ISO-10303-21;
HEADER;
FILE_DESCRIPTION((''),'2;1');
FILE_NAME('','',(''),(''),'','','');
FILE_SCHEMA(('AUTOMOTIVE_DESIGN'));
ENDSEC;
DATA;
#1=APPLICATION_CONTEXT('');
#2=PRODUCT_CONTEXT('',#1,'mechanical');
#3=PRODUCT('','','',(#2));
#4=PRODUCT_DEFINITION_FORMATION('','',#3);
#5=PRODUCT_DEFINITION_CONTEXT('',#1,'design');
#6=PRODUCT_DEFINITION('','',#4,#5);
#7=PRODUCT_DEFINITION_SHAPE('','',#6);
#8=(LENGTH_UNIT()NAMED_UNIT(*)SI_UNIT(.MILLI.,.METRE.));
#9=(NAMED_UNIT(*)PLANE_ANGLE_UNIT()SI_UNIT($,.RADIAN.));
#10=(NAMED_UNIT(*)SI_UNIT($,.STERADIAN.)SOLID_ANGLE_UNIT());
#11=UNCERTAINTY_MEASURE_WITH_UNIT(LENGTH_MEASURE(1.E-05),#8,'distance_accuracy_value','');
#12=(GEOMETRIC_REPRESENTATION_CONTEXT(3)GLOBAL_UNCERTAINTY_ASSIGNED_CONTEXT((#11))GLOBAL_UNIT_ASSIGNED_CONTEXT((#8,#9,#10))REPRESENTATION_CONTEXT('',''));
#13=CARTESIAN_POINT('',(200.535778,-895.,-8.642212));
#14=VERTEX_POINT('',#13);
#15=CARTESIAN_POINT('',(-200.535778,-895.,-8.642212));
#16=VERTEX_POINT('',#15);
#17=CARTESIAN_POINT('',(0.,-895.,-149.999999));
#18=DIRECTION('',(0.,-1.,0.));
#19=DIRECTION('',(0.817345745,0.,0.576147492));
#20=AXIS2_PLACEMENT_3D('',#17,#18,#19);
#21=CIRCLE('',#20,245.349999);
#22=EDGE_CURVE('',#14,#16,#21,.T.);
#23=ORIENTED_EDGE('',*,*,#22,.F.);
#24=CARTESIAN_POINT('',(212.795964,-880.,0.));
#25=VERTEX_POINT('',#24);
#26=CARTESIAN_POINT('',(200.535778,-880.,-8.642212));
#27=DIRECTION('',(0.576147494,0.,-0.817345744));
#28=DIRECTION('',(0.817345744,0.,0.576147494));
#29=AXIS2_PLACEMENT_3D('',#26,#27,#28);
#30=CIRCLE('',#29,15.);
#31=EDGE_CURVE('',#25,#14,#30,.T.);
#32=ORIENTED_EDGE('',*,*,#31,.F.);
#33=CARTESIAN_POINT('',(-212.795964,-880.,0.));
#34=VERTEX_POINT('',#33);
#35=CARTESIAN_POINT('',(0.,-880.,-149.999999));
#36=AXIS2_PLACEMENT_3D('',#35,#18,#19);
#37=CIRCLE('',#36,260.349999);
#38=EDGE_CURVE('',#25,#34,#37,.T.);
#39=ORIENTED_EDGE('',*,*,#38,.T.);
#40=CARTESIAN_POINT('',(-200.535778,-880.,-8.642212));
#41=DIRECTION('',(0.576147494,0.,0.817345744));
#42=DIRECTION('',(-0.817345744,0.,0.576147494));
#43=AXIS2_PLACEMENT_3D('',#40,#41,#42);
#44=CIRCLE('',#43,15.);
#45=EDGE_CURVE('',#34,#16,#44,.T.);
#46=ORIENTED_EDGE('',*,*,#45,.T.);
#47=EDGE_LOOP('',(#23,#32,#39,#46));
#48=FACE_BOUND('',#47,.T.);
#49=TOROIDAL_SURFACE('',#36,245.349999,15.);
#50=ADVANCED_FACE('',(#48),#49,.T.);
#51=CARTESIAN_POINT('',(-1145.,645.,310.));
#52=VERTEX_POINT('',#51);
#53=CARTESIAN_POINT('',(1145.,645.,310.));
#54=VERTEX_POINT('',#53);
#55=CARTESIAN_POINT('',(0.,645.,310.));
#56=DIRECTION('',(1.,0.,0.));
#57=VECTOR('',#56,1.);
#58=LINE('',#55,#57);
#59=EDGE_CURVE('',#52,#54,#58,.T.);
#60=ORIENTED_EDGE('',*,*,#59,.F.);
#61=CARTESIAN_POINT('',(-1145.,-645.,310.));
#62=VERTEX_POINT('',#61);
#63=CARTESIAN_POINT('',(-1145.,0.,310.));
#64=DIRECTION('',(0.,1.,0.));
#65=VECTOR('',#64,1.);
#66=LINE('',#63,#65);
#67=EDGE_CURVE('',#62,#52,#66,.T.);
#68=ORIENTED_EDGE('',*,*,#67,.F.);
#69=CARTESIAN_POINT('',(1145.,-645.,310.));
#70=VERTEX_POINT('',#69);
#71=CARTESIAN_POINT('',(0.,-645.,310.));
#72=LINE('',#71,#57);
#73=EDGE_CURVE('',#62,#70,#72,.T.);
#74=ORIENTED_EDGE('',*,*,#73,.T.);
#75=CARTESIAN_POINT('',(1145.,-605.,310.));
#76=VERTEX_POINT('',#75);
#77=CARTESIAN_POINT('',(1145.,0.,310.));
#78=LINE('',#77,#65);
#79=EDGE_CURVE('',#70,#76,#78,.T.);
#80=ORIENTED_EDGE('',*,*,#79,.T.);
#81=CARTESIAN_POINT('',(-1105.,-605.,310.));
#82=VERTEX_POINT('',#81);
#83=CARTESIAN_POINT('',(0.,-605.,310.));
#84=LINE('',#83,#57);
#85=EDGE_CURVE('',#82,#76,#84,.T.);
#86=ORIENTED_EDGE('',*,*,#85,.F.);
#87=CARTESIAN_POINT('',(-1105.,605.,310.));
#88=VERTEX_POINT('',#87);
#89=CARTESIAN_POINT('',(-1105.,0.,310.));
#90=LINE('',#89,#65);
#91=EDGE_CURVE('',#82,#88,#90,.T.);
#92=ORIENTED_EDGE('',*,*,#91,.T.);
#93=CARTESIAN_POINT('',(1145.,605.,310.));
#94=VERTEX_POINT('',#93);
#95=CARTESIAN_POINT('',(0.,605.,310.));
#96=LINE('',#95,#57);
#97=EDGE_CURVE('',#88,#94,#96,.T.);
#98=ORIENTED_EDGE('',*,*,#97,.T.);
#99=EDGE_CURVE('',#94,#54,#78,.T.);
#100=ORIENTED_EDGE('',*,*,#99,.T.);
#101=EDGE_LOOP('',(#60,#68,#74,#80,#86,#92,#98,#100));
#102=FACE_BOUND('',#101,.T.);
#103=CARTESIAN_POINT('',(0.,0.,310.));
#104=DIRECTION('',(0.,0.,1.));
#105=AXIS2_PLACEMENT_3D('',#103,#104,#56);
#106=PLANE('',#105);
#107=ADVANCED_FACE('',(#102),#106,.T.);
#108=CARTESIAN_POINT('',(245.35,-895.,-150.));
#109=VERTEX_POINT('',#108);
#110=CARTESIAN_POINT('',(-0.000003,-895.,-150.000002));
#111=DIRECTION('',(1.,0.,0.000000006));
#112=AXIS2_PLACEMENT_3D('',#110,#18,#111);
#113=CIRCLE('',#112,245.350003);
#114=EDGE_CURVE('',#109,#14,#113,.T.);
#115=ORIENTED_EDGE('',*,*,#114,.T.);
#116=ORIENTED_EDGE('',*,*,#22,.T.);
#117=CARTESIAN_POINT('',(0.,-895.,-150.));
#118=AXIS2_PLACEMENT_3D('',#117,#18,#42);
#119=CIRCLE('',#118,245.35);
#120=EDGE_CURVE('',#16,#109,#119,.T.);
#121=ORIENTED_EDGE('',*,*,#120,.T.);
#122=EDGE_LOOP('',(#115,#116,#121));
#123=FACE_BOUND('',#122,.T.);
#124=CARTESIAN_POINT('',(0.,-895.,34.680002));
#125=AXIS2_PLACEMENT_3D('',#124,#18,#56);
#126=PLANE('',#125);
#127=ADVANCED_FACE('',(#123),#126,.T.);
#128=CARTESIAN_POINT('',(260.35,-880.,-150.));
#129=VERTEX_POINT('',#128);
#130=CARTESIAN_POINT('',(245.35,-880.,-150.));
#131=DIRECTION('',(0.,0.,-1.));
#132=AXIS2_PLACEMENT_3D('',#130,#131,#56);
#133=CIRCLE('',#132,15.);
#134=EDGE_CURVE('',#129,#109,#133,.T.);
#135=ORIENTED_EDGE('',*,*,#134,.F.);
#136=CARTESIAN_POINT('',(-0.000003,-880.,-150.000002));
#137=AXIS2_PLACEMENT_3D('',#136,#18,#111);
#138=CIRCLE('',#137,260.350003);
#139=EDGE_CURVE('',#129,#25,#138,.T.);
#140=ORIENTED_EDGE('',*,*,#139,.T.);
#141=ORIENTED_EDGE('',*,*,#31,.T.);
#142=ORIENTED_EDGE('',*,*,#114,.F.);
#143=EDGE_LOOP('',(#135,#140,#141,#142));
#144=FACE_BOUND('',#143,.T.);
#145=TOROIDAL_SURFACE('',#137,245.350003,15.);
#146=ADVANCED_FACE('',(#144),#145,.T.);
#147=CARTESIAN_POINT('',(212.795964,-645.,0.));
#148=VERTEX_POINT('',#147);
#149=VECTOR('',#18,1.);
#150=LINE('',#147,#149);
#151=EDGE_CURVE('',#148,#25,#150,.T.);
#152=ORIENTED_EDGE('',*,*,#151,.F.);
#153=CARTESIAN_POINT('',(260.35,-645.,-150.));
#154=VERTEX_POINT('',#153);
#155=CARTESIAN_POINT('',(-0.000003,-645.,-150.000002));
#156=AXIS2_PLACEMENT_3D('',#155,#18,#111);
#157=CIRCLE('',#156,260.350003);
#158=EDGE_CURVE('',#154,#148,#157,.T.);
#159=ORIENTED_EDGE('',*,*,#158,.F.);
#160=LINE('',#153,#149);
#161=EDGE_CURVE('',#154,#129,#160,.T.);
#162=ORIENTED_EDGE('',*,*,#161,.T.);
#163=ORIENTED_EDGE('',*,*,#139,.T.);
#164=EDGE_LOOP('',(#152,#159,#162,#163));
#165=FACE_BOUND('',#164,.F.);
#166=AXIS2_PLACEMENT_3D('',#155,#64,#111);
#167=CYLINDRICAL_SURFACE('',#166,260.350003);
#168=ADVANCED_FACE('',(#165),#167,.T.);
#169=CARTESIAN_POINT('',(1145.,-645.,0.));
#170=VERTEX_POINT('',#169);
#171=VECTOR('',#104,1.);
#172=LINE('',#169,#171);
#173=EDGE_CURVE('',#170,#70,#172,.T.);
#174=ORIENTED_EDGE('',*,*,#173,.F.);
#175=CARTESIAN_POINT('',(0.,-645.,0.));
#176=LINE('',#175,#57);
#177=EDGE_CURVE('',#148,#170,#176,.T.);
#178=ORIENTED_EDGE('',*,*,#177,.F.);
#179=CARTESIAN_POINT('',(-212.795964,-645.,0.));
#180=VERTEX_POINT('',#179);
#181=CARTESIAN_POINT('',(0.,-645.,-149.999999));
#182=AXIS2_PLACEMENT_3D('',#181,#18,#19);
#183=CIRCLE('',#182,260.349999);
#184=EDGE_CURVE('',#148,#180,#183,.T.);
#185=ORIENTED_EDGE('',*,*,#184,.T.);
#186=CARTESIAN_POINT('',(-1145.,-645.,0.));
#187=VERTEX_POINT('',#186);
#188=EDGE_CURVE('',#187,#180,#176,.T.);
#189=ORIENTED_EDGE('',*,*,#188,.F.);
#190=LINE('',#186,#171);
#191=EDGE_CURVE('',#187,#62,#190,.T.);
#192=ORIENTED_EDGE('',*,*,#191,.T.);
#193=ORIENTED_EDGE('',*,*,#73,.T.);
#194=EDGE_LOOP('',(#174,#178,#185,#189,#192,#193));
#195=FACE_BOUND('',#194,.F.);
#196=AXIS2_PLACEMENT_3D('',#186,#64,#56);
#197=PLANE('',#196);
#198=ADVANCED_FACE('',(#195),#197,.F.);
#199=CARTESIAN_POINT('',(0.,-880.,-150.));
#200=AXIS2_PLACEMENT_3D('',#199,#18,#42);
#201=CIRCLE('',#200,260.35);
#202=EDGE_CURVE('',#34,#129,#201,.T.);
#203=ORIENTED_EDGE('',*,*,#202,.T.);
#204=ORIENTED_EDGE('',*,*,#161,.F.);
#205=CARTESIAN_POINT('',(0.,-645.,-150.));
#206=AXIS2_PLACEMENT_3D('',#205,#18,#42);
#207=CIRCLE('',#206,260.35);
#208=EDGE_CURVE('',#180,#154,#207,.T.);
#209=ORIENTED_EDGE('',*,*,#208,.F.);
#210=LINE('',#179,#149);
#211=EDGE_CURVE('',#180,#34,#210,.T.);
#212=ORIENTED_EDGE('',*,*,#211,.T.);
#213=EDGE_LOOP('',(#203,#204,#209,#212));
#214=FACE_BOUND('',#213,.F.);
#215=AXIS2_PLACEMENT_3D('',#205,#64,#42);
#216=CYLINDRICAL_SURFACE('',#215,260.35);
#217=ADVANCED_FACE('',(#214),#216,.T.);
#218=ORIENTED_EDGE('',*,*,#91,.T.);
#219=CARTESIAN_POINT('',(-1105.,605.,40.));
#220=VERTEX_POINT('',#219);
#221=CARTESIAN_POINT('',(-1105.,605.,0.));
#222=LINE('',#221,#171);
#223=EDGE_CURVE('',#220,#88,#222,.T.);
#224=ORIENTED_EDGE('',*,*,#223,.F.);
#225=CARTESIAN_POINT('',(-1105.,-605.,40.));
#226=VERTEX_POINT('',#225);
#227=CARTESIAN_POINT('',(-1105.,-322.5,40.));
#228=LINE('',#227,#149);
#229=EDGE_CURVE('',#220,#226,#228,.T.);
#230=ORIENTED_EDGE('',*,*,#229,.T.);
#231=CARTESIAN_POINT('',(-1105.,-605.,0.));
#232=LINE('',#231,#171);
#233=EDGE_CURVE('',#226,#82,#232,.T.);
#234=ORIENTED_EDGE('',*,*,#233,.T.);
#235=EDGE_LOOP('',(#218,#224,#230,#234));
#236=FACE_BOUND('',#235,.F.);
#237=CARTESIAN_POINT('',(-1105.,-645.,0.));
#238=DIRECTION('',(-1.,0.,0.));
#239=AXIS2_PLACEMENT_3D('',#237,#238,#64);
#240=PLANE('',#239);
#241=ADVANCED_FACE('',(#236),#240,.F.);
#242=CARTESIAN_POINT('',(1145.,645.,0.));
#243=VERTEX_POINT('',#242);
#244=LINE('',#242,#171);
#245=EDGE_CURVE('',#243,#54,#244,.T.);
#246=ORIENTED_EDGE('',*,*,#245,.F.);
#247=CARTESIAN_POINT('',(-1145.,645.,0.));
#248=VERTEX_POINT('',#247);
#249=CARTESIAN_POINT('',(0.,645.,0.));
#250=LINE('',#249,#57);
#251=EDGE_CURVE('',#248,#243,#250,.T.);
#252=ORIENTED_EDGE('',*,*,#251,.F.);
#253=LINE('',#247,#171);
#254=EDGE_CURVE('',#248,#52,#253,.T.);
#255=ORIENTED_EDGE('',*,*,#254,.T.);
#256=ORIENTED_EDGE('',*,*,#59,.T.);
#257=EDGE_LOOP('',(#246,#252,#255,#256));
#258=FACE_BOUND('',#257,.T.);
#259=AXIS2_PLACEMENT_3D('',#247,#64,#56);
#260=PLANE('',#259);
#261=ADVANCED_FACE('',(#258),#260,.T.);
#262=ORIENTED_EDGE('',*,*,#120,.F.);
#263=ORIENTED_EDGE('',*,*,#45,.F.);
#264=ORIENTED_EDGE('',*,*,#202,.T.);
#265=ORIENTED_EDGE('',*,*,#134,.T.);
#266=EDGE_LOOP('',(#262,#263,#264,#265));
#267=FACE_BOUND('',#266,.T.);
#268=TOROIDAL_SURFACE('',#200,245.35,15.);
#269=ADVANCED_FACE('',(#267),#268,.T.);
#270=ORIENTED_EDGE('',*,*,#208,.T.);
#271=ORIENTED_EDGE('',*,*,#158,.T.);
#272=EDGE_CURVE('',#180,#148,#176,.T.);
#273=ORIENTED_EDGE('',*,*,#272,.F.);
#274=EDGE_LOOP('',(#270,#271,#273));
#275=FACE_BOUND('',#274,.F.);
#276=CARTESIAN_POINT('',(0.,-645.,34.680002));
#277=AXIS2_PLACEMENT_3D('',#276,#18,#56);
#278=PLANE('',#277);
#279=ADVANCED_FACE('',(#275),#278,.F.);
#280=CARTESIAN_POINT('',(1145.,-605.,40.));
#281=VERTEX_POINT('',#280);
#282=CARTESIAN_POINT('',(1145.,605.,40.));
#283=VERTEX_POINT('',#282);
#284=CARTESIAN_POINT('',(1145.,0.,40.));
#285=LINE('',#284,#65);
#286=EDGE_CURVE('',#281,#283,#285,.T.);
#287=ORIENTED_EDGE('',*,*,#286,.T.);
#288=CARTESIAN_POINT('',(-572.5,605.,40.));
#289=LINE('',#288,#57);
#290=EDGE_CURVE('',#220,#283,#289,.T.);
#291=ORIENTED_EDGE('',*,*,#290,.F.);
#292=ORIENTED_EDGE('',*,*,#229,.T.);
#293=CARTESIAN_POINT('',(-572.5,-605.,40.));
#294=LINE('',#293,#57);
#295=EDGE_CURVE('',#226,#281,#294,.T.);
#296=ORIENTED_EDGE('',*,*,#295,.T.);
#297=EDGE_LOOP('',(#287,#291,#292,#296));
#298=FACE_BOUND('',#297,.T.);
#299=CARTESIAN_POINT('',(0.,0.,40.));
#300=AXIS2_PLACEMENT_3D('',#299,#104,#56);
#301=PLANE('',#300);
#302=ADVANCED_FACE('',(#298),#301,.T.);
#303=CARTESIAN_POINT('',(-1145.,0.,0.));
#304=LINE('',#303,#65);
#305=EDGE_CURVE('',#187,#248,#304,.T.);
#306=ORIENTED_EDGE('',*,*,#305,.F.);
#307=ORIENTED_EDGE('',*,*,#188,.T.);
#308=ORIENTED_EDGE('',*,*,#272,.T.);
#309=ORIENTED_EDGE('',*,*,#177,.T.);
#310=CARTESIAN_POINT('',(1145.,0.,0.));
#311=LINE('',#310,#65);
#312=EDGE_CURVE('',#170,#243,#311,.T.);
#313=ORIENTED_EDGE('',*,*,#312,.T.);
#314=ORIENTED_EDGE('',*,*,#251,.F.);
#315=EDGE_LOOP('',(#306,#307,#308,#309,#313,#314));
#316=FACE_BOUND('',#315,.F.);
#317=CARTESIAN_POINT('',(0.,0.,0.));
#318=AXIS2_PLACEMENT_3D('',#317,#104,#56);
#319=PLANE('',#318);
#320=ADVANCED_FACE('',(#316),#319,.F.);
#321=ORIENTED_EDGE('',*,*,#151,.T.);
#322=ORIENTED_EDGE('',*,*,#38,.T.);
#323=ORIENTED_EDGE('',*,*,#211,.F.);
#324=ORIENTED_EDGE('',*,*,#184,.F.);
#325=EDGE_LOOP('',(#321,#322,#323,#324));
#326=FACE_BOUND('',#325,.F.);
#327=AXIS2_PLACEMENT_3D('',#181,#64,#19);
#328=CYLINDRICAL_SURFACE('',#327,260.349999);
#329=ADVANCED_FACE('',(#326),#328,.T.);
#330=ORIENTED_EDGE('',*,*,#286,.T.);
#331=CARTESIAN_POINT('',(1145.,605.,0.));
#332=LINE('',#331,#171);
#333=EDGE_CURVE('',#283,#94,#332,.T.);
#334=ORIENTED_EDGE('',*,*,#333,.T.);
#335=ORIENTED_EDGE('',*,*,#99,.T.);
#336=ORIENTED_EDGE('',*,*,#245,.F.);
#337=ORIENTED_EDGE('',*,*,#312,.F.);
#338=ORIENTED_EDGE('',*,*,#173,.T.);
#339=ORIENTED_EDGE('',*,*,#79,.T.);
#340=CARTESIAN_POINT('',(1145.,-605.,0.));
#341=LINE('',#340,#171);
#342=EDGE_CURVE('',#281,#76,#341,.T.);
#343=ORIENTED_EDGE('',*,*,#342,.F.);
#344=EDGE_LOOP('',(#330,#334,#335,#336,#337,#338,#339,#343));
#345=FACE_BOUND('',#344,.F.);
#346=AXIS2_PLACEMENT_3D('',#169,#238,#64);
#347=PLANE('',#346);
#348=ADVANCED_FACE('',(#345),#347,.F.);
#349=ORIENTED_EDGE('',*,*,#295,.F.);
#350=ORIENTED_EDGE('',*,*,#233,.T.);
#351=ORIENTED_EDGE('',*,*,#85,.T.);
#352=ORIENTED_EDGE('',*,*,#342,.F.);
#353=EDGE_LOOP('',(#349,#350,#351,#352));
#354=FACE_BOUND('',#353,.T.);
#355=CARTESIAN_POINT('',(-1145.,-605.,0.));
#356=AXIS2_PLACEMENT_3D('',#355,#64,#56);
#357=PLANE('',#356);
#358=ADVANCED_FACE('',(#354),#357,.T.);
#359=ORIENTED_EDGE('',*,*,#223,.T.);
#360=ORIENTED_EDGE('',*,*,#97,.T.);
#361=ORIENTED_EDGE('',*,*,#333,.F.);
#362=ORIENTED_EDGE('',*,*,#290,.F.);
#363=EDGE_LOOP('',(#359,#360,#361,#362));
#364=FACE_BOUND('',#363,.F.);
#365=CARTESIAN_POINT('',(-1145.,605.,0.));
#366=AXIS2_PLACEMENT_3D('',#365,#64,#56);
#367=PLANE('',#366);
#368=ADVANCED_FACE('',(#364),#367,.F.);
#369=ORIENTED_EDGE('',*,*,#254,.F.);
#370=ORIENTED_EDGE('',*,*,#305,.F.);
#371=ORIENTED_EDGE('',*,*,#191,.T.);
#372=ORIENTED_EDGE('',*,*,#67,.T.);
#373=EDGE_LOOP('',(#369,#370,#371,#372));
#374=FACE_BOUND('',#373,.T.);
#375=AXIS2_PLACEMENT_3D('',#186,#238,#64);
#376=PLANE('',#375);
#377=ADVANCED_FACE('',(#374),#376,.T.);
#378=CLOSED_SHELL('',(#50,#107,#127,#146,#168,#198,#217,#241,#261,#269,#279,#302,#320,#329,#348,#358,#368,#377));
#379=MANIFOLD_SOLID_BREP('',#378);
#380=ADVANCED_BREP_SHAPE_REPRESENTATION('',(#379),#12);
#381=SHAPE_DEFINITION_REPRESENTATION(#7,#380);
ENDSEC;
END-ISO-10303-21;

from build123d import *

# Parameters (mm, degrees)
F0_W     = 2290
F0_H     = 1290
F1_DEPTH = 310
F2_T     = -40
F4_DEPTH = 250
F5_R     = 15


with BuildPart() as f1:
    # F0 (on Top) → F1 (new body)
    with BuildSketch(Plane.XY):
        Rectangle(F0_W, F0_H)
    extrude(amount=F1_DEPTH)

    # F2
    f2_openings = [f1.faces().sort_by_distance(p)[0] for p in [
        (0, 0, 310),
        (1145, 0, 155),
    ]]
    offset(amount=F2_T, openings=f2_openings)

    # F3 (on face) → F4 (join)
    with BuildSketch(Plane.XZ.offset(645)):
        with BuildLine():
            Line((-212.795964, 0), (212.795964, 0))
            ThreePointArc((212.795964, 0), (0, 110.35), (-212.795964, 0))
        make_face()
        with BuildLine():
            ThreePointArc((-212.795964, 0), (-78.678756, -398.176904), (260.35, -150))
            ThreePointArc((260.35, -150), (248.176904, -71.321244), (212.795964, 0))
            Line((212.795964, 0), (-212.795964, 0))
        make_face()
    extrude(amount=F4_DEPTH)

    # F5
    f5_edges = [f1.edges().sort_by_distance(p)[0] for p in [
        (-260.35, -895, -150),
    ]]
    fillet(f5_edges, radius=F5_R)


solid = f1.part
